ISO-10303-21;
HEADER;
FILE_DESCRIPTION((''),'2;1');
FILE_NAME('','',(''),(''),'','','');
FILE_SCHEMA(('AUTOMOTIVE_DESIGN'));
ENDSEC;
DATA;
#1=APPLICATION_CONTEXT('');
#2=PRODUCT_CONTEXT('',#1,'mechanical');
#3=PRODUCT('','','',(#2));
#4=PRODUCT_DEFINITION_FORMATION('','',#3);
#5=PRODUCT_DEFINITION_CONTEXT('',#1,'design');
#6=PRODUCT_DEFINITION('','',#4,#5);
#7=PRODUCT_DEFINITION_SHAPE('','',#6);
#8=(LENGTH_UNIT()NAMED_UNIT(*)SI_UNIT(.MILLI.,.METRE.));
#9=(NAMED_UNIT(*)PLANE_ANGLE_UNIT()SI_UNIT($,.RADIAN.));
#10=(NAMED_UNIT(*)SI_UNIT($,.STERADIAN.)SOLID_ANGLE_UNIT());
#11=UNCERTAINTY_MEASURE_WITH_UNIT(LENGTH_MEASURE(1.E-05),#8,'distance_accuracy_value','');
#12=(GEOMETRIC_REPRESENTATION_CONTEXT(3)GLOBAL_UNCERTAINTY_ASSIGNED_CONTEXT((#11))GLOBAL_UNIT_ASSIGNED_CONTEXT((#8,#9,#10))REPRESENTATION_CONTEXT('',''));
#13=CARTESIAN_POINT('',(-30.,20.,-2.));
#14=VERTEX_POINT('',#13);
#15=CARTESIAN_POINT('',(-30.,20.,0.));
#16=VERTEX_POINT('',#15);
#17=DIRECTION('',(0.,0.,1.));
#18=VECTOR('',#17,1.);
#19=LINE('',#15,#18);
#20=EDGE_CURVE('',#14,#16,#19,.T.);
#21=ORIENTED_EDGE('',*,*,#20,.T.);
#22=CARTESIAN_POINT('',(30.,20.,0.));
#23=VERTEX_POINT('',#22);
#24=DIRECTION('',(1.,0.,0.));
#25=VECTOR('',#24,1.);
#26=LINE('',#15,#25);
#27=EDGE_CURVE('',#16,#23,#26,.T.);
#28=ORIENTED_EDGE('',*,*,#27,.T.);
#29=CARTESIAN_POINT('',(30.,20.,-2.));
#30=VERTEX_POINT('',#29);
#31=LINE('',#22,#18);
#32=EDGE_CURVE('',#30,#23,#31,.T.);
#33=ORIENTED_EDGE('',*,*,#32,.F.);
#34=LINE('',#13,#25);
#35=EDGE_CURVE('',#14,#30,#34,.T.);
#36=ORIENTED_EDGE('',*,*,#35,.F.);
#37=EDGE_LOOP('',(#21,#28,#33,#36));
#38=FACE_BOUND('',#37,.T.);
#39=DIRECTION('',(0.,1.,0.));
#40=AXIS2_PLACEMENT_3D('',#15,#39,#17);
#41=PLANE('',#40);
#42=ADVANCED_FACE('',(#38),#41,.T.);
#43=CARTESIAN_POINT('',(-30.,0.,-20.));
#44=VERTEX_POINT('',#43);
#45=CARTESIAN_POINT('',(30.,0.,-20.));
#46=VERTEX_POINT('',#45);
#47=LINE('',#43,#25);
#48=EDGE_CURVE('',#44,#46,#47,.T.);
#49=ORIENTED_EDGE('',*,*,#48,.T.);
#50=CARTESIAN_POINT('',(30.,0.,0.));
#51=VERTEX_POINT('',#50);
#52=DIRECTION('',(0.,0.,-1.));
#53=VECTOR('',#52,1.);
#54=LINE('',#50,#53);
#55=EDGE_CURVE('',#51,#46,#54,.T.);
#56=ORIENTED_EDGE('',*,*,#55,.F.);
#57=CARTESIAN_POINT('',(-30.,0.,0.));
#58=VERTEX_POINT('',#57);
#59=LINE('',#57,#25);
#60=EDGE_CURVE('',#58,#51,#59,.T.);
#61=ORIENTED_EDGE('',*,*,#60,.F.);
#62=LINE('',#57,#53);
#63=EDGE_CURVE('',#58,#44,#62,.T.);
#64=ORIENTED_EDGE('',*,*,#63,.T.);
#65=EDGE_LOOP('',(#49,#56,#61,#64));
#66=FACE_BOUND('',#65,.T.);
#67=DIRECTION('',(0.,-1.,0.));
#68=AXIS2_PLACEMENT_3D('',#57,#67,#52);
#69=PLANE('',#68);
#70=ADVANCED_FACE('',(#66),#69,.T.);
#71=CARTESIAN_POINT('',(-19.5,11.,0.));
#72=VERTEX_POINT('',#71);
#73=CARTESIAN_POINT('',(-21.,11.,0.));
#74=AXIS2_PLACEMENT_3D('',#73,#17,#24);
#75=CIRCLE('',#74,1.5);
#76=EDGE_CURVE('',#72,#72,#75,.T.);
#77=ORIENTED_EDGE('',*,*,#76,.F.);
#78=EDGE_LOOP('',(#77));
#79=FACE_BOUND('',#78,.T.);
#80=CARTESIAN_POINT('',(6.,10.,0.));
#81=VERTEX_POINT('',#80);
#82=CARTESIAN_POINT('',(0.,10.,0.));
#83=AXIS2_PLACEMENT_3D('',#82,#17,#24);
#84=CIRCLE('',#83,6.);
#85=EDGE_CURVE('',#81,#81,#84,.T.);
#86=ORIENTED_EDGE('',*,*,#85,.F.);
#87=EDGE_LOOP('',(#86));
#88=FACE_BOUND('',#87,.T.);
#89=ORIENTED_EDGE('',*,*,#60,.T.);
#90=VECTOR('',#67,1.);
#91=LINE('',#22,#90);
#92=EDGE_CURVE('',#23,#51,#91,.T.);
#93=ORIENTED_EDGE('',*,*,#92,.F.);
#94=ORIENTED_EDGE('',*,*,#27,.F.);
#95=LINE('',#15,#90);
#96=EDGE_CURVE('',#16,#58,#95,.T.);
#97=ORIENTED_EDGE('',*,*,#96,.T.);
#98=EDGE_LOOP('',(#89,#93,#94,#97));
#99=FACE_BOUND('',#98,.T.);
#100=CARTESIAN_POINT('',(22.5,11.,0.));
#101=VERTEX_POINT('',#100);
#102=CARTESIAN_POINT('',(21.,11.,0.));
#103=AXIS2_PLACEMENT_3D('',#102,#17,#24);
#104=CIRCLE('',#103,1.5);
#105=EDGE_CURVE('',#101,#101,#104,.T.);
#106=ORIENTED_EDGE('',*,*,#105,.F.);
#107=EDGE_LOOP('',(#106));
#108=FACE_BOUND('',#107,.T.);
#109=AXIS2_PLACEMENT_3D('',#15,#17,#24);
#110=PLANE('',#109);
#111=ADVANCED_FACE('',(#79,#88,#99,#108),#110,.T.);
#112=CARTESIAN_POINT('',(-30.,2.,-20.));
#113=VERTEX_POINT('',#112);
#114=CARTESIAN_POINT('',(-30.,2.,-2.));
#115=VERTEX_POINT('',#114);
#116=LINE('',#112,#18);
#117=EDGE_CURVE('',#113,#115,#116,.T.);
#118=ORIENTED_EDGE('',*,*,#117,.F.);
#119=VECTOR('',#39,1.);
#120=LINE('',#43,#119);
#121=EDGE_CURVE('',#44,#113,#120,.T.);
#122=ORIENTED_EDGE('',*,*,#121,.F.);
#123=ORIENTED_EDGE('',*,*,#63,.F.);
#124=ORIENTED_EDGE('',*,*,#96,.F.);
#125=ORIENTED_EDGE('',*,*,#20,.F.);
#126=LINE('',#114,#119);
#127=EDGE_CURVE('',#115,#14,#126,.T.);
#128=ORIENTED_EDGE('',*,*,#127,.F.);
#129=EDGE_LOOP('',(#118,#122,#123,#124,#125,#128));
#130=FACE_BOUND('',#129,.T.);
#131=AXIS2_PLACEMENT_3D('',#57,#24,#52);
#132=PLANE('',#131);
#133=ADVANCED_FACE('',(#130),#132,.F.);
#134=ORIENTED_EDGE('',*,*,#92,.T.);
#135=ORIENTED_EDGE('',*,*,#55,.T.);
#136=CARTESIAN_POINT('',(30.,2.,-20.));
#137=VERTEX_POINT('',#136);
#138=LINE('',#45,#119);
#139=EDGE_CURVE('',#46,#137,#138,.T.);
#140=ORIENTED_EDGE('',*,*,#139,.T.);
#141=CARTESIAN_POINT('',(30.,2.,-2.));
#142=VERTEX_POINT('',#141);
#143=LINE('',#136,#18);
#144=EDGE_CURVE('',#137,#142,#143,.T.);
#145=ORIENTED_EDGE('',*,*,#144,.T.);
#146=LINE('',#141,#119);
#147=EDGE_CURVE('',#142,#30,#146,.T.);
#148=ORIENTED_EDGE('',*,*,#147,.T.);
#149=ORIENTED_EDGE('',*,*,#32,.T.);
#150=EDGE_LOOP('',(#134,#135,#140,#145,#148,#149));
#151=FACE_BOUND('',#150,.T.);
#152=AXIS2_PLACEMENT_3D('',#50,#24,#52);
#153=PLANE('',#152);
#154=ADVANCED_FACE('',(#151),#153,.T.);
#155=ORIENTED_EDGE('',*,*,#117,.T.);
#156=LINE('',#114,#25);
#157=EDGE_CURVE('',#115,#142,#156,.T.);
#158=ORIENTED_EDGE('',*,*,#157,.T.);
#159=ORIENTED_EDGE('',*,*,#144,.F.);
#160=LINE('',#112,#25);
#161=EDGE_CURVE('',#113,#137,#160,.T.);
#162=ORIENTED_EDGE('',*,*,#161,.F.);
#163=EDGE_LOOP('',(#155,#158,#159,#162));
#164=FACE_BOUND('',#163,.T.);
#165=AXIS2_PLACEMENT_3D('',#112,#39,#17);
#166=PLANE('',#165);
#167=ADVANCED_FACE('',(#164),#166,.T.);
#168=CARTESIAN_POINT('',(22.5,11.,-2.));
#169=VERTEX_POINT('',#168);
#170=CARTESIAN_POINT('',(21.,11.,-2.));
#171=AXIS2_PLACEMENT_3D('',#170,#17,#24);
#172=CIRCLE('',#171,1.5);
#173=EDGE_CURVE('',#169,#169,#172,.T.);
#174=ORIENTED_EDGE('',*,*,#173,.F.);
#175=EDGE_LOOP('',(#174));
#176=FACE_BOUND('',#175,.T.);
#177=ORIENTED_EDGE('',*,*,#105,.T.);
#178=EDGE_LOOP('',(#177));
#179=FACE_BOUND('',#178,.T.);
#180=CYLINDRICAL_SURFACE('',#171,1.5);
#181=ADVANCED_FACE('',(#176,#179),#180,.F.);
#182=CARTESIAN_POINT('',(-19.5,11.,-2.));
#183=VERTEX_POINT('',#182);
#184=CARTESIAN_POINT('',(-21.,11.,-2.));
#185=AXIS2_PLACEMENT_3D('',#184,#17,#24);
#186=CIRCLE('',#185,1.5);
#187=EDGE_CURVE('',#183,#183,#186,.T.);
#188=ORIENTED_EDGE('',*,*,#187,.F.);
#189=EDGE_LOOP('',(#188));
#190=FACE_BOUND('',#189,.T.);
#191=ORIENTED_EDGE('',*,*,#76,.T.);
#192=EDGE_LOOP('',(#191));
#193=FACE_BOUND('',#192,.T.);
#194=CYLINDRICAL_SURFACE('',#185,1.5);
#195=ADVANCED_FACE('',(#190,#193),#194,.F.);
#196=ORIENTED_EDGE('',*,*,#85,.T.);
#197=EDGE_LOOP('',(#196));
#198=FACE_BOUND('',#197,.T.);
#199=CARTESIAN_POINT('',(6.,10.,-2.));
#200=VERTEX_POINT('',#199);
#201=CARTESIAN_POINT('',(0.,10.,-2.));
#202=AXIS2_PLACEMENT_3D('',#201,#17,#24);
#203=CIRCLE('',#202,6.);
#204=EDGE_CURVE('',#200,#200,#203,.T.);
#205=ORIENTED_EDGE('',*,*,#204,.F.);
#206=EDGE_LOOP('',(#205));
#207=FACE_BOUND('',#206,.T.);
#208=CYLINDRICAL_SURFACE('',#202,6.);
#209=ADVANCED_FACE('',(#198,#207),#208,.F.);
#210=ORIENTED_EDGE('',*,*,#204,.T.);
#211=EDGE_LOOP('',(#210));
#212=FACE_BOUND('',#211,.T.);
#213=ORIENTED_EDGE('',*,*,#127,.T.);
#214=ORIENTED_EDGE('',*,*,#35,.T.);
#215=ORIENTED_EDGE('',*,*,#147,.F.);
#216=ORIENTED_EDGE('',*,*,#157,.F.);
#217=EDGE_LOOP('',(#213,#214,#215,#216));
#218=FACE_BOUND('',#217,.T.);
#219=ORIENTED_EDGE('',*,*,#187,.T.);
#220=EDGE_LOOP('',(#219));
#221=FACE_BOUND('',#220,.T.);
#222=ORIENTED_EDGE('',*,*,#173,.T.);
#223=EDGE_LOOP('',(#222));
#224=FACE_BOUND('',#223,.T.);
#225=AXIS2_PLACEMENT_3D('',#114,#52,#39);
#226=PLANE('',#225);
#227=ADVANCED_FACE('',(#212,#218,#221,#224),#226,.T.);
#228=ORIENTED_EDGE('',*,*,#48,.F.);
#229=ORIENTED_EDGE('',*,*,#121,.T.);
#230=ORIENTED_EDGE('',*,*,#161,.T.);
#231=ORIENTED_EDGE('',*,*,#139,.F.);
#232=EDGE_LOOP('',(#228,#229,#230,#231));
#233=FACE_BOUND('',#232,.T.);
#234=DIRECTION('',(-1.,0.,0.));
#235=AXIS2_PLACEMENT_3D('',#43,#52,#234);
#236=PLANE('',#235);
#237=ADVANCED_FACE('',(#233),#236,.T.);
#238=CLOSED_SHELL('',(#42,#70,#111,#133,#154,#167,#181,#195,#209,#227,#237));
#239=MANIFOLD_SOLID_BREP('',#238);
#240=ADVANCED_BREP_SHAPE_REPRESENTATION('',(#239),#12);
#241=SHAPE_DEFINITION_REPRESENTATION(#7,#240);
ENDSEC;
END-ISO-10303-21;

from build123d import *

# Parameters (mm, degrees)
BOSS_EXTRUDE1_DEPTH      = 30
BOSS_EXTRUDE1_DEPTH_BACK = 30
SKETCH2_R                = 1.5
SKETCH2_R_2              = 6
CUT_EXTRUDE1_DEPTH       = 2


with BuildPart() as part:
    # Sketch1 → Boss-Extrude1 (new, two sides: drawn at the far end of the back side and taken through both)
    with BuildSketch(Plane(origin=(0, 0, 0), x_dir=(0, 0, -1), z_dir=(1, 0, 0)).offset(-BOSS_EXTRUDE1_DEPTH_BACK)):
        Polygon((0, 20), (0, 0), (20, 0), (20, 2), (2, 2), (2, 20), align=None)
    extrude(amount=BOSS_EXTRUDE1_DEPTH + BOSS_EXTRUDE1_DEPTH_BACK)

    # Sketch2 → Cut-Extrude1 (cut)
    with BuildSketch(Plane.XY):
        with Locations((-21, 11)):
            Circle(SKETCH2_R)
        with Locations((21, 11)):
            Circle(SKETCH2_R)
        with Locations((0, 10)):
            Circle(SKETCH2_R_2)
    extrude(amount=-CUT_EXTRUDE1_DEPTH, mode=Mode.SUBTRACT)


solid = part.part
